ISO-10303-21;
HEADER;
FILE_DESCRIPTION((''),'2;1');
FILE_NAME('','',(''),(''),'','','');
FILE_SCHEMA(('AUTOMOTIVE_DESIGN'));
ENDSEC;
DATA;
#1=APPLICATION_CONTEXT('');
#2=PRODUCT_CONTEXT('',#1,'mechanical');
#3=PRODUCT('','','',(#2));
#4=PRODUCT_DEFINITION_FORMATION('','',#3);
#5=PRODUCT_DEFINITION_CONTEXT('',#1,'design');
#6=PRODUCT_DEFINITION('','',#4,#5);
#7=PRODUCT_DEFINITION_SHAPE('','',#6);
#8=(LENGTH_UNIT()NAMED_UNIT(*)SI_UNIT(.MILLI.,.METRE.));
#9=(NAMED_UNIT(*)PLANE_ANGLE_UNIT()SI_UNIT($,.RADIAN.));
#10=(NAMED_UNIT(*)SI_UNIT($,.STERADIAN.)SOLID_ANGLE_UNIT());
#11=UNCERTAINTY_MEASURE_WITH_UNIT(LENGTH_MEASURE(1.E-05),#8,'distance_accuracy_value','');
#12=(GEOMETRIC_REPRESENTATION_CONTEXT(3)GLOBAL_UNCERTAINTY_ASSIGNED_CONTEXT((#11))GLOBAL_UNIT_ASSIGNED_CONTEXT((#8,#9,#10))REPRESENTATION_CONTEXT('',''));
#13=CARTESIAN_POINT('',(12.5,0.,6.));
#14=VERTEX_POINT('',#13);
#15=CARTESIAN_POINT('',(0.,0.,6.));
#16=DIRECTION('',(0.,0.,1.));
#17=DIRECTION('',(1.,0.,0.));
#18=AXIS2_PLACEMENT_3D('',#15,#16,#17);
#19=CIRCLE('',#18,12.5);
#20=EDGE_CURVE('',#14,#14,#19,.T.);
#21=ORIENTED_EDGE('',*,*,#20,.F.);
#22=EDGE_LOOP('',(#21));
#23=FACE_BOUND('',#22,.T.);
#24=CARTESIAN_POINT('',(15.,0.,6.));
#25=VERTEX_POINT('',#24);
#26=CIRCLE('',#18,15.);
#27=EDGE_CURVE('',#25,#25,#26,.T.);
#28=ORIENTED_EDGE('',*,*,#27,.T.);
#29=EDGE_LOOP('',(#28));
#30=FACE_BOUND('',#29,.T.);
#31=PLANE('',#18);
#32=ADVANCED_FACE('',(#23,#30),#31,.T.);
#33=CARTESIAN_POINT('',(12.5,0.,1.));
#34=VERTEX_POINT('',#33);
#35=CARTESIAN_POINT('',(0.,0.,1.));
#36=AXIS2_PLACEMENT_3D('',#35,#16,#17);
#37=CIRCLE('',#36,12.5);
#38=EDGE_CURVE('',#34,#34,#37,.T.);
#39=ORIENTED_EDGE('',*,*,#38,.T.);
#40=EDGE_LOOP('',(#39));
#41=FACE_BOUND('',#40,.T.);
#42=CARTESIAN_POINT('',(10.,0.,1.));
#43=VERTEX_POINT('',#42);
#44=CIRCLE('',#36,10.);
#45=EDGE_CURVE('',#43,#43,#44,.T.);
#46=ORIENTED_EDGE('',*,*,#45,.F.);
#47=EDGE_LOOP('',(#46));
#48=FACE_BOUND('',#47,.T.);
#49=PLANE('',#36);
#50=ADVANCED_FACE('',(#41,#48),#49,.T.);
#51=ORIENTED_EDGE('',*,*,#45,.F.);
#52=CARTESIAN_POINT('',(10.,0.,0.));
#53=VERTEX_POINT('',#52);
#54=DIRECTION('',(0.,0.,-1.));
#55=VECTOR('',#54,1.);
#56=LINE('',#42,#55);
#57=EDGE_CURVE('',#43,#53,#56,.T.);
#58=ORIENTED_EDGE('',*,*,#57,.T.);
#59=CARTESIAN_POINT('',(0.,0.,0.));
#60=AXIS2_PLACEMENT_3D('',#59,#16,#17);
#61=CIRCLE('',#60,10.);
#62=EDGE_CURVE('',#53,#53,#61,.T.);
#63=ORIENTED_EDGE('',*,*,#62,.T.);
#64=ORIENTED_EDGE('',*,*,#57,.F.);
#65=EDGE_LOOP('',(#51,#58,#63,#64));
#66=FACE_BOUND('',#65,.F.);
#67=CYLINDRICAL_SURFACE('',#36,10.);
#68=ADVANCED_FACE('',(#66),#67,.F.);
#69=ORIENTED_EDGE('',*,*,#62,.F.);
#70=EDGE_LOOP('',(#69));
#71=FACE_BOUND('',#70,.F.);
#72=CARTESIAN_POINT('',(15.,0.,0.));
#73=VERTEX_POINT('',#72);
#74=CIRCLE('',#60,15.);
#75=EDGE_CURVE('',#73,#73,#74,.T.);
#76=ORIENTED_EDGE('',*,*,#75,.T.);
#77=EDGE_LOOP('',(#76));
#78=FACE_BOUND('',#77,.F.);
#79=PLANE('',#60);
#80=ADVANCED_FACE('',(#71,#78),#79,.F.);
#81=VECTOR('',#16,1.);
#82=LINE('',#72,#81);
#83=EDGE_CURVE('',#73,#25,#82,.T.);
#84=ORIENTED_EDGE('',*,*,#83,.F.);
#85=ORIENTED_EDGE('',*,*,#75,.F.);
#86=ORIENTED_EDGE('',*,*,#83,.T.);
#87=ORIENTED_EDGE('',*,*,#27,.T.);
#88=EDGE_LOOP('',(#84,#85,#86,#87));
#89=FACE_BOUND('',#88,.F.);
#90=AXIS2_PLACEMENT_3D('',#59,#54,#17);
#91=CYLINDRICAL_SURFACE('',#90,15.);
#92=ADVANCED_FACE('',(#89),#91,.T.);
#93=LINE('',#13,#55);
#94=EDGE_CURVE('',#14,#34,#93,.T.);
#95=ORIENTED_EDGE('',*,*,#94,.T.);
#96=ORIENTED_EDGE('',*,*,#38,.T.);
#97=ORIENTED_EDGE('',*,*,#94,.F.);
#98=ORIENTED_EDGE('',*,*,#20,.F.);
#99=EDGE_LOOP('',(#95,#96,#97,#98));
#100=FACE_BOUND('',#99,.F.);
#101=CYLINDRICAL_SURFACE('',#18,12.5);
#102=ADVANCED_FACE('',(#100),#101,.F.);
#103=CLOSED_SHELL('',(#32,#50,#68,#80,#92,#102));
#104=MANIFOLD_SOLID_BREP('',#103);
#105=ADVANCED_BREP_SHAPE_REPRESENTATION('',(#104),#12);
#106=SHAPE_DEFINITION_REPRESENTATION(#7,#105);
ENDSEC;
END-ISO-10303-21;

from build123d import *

# Parameters (mm, degrees)
SKETCH_R        = 15
PAD_DEPTH       = 6
SKETCH001_R     = 12.5
POCKET_DEPTH    = 5
SKETCH002_R     = 10
POCKET001_DEPTH = 1.001


with BuildPart() as part:
    # Sketch → Pad (new body)
    with BuildSketch(Plane.XY):
        Circle(SKETCH_R)
    extrude(amount=PAD_DEPTH)

    # Sketch001 (on Face3 of Pad) → Pocket (cut)
    with BuildSketch(Plane.XY.offset(6)):
        Circle(SKETCH001_R)
    extrude(amount=-POCKET_DEPTH, mode=Mode.SUBTRACT)

    # Sketch002 (on Face5 of Pocket) → Pocket001 (cut, through all)
    with BuildSketch(Plane.XY.offset(1)):
        Circle(SKETCH002_R)
    extrude(amount=-POCKET001_DEPTH, mode=Mode.SUBTRACT)


solid = part.part
